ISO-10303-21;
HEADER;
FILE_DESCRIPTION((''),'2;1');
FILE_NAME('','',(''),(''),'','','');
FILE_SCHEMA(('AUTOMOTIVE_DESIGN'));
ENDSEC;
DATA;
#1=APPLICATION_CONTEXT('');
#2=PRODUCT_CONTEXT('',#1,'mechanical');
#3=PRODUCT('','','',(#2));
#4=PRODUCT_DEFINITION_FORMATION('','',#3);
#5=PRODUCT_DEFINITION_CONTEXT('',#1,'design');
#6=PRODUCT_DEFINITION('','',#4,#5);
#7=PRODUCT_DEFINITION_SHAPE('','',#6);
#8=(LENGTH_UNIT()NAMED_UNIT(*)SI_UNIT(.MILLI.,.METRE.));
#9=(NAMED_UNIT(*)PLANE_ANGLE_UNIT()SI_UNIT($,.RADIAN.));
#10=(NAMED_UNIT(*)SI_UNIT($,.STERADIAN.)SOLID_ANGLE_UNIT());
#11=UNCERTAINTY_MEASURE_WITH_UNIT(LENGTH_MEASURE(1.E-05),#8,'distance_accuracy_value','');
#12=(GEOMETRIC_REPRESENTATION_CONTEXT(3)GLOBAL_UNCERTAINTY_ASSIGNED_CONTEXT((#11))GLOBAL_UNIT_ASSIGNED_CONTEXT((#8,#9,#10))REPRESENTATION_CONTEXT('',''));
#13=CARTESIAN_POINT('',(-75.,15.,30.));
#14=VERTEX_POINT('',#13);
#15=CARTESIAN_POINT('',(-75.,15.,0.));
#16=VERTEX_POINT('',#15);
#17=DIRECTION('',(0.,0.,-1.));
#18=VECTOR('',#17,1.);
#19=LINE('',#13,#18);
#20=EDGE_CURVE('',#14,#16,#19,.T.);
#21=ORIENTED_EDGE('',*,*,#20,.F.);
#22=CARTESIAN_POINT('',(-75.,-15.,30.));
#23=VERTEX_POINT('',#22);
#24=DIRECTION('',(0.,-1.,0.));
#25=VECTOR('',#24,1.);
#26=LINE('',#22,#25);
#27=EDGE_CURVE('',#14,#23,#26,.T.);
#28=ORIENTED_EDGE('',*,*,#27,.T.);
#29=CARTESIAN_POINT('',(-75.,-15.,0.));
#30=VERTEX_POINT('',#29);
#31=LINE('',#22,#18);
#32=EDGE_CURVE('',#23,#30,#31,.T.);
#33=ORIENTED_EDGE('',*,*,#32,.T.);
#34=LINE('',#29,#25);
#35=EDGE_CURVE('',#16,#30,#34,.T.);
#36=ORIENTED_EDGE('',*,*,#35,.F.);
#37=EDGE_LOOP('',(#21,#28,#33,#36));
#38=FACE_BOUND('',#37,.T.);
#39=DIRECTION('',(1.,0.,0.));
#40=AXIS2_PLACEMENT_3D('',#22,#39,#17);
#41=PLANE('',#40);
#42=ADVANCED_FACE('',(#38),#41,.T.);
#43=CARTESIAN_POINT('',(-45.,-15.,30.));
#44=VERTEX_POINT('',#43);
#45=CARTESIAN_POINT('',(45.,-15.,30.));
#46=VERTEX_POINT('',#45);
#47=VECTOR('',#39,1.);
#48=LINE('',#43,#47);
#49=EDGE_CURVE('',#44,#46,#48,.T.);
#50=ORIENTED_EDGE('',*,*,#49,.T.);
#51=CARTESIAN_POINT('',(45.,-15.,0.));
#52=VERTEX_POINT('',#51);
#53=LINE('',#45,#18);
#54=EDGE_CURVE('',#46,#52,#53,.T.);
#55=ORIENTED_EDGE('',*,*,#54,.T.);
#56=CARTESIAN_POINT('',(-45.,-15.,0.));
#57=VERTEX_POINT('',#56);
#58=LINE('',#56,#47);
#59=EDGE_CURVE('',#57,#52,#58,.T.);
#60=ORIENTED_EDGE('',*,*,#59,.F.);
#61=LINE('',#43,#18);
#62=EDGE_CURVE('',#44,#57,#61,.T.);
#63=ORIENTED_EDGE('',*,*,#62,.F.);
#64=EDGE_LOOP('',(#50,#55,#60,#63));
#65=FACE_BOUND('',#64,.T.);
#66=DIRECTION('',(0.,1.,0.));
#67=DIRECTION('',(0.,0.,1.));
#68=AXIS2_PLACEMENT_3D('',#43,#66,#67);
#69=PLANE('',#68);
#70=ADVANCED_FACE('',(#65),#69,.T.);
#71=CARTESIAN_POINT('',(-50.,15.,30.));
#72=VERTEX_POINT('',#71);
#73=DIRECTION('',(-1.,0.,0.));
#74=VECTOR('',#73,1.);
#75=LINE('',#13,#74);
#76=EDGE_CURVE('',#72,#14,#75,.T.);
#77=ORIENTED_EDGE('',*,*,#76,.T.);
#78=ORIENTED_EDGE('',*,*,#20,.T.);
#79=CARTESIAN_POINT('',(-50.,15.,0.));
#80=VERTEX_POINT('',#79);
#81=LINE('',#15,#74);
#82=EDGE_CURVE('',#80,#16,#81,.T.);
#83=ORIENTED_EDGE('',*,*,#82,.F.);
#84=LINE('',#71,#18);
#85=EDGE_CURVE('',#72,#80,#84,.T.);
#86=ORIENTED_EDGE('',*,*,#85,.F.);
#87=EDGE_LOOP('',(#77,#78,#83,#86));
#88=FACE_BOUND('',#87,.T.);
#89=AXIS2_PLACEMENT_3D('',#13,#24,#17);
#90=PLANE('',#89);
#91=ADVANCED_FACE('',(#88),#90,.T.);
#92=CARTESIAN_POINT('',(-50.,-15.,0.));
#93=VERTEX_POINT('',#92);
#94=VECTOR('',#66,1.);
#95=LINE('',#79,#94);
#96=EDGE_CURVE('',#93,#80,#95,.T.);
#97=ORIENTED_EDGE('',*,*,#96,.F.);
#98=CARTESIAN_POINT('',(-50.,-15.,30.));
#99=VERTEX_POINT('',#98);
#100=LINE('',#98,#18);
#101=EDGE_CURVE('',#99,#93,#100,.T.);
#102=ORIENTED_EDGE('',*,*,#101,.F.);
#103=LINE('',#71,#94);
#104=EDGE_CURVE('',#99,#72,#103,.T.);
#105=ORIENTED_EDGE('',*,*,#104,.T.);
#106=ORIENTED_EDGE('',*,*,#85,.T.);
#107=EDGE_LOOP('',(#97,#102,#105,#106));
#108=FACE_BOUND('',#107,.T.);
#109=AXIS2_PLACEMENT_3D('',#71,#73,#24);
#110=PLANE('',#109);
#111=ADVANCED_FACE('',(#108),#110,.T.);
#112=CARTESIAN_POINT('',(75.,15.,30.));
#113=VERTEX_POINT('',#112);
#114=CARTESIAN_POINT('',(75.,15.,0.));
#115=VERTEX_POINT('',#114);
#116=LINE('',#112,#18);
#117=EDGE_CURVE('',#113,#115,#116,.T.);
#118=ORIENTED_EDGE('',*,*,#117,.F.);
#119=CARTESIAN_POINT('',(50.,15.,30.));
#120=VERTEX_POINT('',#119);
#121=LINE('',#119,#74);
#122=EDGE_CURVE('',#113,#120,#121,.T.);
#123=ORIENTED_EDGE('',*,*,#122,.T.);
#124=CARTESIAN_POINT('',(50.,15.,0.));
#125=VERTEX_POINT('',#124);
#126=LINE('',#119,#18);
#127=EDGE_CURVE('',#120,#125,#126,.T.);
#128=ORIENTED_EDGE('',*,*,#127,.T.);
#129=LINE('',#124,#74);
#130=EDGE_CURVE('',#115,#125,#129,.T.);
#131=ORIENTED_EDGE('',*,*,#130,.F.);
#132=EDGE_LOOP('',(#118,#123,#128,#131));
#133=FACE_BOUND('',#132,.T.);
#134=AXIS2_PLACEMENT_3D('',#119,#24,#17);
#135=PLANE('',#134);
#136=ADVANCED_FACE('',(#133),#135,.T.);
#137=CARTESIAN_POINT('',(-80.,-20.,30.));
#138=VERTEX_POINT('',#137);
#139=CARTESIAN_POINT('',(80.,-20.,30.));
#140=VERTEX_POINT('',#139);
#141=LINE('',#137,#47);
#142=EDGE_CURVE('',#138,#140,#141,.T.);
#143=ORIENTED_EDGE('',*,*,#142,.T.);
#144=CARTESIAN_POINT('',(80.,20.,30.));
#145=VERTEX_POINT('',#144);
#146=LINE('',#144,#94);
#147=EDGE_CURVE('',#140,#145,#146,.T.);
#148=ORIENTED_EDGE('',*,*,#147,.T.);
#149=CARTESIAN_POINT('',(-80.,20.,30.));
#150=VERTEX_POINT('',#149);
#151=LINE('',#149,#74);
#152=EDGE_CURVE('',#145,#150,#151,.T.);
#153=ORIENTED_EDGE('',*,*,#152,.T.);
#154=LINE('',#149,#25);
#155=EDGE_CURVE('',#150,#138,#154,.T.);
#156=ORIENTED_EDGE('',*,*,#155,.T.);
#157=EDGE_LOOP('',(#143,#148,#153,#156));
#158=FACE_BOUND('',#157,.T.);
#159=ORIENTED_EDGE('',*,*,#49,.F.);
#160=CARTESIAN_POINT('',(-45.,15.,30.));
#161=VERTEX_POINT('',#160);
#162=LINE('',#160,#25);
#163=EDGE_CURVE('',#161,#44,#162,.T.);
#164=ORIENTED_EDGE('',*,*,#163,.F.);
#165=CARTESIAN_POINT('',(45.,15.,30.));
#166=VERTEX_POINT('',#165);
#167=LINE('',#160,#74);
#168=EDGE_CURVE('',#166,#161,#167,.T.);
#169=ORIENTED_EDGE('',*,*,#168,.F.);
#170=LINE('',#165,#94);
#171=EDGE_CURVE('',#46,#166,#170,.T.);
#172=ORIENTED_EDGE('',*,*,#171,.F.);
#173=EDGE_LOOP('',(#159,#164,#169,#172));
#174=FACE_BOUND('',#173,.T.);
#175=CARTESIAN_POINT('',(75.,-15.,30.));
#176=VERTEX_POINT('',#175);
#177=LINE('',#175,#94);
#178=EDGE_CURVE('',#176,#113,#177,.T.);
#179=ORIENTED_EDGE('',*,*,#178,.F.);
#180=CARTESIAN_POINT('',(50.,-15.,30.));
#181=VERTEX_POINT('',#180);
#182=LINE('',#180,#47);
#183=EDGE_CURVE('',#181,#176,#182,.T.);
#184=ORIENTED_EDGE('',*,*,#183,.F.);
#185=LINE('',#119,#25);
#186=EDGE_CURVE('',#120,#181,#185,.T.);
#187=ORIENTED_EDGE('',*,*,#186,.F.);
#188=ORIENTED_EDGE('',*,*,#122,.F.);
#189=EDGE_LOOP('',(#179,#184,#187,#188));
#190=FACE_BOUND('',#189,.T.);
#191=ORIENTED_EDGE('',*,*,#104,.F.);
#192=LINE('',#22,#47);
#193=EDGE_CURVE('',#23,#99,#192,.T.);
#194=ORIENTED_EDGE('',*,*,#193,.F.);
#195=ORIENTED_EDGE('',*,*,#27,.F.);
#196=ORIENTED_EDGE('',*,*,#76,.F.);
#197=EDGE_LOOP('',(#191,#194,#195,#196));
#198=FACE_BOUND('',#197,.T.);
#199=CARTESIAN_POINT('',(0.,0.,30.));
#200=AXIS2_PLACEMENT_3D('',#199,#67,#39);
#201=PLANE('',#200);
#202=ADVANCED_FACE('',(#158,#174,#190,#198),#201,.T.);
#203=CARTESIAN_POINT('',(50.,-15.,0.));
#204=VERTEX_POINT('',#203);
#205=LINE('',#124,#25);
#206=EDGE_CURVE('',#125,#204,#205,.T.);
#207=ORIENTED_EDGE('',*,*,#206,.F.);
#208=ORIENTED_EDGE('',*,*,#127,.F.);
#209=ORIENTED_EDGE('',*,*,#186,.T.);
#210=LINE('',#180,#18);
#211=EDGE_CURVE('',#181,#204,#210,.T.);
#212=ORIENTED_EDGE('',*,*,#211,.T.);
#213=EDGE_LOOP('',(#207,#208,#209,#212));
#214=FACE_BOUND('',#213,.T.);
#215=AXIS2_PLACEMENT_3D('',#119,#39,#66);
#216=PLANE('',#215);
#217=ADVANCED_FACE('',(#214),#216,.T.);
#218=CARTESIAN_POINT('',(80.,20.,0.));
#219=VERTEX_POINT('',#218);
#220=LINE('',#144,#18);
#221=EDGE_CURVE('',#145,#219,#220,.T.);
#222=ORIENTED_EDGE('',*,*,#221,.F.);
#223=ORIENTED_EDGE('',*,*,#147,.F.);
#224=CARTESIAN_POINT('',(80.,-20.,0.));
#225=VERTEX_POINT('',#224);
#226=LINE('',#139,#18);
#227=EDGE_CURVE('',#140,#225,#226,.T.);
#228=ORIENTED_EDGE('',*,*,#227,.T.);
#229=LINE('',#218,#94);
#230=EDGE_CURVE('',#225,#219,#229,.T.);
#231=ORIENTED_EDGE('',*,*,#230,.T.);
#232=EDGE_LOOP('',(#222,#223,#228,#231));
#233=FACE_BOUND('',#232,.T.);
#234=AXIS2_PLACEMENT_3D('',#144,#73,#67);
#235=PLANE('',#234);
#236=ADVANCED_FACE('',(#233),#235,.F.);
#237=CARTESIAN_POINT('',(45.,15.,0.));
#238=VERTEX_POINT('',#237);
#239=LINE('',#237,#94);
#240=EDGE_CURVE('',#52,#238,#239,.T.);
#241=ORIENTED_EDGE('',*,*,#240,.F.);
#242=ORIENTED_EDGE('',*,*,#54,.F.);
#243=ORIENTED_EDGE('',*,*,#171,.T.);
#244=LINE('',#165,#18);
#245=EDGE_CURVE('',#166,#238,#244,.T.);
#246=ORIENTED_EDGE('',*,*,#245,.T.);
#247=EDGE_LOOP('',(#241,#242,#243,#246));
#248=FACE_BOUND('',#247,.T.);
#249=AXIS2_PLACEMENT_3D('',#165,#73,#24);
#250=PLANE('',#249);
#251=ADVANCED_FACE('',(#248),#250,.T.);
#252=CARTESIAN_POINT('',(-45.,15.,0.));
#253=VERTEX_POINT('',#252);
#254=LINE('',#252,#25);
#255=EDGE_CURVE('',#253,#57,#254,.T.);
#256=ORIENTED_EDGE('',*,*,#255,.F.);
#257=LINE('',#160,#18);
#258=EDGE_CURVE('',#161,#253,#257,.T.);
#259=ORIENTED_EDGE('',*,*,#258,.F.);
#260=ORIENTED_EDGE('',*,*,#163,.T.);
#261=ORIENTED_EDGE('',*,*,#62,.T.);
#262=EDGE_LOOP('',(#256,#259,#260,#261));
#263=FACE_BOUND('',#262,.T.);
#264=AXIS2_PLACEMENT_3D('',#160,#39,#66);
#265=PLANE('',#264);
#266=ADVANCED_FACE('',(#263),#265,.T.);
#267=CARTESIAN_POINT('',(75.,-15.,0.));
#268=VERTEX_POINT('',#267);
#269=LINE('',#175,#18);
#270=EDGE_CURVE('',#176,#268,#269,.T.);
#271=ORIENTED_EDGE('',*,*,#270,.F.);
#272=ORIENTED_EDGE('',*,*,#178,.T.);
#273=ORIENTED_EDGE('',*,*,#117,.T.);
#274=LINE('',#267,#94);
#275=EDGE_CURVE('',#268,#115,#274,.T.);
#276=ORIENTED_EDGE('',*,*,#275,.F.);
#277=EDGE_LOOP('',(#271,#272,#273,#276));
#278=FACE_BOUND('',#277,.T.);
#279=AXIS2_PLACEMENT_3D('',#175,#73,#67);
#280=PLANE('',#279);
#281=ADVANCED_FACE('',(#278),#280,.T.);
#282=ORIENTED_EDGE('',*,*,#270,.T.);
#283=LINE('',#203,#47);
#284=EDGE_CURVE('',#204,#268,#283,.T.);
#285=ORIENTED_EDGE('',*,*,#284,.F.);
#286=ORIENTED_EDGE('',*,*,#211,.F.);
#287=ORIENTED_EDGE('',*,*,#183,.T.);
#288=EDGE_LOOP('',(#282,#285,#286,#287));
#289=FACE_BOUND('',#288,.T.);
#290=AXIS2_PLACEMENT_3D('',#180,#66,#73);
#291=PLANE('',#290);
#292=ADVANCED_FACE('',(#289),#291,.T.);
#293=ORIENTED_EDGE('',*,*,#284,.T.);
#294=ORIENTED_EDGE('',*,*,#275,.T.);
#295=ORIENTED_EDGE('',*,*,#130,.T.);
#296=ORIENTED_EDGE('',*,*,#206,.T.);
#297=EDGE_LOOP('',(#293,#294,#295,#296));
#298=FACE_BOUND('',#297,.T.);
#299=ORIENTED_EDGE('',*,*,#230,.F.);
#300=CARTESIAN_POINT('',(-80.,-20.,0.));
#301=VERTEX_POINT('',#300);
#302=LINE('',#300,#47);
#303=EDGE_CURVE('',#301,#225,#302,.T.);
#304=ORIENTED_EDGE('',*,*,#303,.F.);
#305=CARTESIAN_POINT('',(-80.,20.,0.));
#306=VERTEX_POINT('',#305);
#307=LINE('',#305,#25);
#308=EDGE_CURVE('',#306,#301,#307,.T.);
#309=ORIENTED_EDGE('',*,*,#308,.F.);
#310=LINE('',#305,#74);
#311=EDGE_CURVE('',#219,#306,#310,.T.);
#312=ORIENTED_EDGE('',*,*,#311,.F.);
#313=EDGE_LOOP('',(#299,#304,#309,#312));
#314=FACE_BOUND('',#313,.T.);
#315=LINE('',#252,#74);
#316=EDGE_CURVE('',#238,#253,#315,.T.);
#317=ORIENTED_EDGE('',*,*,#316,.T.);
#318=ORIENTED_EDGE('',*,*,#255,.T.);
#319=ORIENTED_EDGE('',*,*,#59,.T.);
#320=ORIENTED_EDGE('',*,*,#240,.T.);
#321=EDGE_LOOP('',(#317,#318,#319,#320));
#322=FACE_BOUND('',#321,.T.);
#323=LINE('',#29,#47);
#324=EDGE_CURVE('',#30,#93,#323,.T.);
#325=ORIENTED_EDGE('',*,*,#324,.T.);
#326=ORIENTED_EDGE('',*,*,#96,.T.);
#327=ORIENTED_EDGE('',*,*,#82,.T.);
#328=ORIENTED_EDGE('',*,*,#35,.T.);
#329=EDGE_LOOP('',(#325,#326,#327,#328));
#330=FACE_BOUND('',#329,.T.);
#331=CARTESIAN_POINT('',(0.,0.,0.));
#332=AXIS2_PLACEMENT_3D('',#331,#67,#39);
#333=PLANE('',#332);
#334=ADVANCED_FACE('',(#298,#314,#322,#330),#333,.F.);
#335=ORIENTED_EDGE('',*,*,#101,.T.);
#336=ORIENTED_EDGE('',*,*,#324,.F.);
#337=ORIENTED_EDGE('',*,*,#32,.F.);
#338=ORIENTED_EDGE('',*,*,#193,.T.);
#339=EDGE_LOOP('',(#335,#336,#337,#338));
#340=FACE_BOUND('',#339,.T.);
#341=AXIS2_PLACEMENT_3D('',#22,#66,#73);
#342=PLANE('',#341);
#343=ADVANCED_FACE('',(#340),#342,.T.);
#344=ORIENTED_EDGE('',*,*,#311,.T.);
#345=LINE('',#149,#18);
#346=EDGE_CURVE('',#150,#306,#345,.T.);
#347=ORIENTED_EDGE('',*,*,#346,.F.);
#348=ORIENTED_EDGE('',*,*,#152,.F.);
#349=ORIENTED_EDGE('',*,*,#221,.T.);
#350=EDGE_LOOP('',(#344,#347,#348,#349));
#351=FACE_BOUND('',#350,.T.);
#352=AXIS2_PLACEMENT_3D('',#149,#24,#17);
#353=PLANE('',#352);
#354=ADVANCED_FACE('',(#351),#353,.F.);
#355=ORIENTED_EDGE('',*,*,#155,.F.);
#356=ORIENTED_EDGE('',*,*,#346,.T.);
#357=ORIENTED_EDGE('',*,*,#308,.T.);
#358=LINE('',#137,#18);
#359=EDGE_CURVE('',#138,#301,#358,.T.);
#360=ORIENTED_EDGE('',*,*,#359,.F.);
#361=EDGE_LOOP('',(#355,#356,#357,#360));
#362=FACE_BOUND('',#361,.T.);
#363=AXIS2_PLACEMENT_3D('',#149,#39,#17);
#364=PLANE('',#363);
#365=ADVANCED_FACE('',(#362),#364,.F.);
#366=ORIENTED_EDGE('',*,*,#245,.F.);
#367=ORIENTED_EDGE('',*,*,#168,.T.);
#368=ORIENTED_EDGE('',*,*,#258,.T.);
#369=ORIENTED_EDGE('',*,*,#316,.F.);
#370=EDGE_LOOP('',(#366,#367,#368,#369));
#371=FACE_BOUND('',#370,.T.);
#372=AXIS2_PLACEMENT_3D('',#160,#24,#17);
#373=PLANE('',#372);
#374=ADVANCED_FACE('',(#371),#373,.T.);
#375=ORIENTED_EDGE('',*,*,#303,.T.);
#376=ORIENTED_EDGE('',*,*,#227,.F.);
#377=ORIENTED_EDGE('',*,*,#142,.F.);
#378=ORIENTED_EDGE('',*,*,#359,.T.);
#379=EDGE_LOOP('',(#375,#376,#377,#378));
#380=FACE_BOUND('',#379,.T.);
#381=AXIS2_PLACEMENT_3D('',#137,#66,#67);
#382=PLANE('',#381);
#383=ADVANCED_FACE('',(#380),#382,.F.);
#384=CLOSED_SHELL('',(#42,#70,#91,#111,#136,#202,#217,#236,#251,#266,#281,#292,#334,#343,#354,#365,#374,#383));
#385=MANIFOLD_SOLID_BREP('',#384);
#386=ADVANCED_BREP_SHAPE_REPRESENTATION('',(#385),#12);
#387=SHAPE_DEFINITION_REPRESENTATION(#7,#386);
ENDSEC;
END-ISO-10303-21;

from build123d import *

# Parameters (mm, degrees)
SKETCH_8_W      = 160
SKETCH_8_H      = 40
SKETCH_8_W_2    = 25
SKETCH_8_H_2    = 30
SKETCH_8_W_3    = 90
EXTRUDE_5_DEPTH = 30


with BuildPart() as part:
    # 草图8 → 凸台-拉伸5 (new body)
    with BuildSketch(Plane.XY):
        Rectangle(SKETCH_8_W, SKETCH_8_H)
        with Locations((-62.5, 0)):
            Rectangle(SKETCH_8_W_2, SKETCH_8_H_2, mode=Mode.SUBTRACT)
        with Locations((62.5, 0)):
            Rectangle(SKETCH_8_W_2, SKETCH_8_H_2, mode=Mode.SUBTRACT)
        Rectangle(SKETCH_8_W_3, SKETCH_8_H_2, mode=Mode.SUBTRACT)
    extrude(amount=EXTRUDE_5_DEPTH)


solid = part.part
